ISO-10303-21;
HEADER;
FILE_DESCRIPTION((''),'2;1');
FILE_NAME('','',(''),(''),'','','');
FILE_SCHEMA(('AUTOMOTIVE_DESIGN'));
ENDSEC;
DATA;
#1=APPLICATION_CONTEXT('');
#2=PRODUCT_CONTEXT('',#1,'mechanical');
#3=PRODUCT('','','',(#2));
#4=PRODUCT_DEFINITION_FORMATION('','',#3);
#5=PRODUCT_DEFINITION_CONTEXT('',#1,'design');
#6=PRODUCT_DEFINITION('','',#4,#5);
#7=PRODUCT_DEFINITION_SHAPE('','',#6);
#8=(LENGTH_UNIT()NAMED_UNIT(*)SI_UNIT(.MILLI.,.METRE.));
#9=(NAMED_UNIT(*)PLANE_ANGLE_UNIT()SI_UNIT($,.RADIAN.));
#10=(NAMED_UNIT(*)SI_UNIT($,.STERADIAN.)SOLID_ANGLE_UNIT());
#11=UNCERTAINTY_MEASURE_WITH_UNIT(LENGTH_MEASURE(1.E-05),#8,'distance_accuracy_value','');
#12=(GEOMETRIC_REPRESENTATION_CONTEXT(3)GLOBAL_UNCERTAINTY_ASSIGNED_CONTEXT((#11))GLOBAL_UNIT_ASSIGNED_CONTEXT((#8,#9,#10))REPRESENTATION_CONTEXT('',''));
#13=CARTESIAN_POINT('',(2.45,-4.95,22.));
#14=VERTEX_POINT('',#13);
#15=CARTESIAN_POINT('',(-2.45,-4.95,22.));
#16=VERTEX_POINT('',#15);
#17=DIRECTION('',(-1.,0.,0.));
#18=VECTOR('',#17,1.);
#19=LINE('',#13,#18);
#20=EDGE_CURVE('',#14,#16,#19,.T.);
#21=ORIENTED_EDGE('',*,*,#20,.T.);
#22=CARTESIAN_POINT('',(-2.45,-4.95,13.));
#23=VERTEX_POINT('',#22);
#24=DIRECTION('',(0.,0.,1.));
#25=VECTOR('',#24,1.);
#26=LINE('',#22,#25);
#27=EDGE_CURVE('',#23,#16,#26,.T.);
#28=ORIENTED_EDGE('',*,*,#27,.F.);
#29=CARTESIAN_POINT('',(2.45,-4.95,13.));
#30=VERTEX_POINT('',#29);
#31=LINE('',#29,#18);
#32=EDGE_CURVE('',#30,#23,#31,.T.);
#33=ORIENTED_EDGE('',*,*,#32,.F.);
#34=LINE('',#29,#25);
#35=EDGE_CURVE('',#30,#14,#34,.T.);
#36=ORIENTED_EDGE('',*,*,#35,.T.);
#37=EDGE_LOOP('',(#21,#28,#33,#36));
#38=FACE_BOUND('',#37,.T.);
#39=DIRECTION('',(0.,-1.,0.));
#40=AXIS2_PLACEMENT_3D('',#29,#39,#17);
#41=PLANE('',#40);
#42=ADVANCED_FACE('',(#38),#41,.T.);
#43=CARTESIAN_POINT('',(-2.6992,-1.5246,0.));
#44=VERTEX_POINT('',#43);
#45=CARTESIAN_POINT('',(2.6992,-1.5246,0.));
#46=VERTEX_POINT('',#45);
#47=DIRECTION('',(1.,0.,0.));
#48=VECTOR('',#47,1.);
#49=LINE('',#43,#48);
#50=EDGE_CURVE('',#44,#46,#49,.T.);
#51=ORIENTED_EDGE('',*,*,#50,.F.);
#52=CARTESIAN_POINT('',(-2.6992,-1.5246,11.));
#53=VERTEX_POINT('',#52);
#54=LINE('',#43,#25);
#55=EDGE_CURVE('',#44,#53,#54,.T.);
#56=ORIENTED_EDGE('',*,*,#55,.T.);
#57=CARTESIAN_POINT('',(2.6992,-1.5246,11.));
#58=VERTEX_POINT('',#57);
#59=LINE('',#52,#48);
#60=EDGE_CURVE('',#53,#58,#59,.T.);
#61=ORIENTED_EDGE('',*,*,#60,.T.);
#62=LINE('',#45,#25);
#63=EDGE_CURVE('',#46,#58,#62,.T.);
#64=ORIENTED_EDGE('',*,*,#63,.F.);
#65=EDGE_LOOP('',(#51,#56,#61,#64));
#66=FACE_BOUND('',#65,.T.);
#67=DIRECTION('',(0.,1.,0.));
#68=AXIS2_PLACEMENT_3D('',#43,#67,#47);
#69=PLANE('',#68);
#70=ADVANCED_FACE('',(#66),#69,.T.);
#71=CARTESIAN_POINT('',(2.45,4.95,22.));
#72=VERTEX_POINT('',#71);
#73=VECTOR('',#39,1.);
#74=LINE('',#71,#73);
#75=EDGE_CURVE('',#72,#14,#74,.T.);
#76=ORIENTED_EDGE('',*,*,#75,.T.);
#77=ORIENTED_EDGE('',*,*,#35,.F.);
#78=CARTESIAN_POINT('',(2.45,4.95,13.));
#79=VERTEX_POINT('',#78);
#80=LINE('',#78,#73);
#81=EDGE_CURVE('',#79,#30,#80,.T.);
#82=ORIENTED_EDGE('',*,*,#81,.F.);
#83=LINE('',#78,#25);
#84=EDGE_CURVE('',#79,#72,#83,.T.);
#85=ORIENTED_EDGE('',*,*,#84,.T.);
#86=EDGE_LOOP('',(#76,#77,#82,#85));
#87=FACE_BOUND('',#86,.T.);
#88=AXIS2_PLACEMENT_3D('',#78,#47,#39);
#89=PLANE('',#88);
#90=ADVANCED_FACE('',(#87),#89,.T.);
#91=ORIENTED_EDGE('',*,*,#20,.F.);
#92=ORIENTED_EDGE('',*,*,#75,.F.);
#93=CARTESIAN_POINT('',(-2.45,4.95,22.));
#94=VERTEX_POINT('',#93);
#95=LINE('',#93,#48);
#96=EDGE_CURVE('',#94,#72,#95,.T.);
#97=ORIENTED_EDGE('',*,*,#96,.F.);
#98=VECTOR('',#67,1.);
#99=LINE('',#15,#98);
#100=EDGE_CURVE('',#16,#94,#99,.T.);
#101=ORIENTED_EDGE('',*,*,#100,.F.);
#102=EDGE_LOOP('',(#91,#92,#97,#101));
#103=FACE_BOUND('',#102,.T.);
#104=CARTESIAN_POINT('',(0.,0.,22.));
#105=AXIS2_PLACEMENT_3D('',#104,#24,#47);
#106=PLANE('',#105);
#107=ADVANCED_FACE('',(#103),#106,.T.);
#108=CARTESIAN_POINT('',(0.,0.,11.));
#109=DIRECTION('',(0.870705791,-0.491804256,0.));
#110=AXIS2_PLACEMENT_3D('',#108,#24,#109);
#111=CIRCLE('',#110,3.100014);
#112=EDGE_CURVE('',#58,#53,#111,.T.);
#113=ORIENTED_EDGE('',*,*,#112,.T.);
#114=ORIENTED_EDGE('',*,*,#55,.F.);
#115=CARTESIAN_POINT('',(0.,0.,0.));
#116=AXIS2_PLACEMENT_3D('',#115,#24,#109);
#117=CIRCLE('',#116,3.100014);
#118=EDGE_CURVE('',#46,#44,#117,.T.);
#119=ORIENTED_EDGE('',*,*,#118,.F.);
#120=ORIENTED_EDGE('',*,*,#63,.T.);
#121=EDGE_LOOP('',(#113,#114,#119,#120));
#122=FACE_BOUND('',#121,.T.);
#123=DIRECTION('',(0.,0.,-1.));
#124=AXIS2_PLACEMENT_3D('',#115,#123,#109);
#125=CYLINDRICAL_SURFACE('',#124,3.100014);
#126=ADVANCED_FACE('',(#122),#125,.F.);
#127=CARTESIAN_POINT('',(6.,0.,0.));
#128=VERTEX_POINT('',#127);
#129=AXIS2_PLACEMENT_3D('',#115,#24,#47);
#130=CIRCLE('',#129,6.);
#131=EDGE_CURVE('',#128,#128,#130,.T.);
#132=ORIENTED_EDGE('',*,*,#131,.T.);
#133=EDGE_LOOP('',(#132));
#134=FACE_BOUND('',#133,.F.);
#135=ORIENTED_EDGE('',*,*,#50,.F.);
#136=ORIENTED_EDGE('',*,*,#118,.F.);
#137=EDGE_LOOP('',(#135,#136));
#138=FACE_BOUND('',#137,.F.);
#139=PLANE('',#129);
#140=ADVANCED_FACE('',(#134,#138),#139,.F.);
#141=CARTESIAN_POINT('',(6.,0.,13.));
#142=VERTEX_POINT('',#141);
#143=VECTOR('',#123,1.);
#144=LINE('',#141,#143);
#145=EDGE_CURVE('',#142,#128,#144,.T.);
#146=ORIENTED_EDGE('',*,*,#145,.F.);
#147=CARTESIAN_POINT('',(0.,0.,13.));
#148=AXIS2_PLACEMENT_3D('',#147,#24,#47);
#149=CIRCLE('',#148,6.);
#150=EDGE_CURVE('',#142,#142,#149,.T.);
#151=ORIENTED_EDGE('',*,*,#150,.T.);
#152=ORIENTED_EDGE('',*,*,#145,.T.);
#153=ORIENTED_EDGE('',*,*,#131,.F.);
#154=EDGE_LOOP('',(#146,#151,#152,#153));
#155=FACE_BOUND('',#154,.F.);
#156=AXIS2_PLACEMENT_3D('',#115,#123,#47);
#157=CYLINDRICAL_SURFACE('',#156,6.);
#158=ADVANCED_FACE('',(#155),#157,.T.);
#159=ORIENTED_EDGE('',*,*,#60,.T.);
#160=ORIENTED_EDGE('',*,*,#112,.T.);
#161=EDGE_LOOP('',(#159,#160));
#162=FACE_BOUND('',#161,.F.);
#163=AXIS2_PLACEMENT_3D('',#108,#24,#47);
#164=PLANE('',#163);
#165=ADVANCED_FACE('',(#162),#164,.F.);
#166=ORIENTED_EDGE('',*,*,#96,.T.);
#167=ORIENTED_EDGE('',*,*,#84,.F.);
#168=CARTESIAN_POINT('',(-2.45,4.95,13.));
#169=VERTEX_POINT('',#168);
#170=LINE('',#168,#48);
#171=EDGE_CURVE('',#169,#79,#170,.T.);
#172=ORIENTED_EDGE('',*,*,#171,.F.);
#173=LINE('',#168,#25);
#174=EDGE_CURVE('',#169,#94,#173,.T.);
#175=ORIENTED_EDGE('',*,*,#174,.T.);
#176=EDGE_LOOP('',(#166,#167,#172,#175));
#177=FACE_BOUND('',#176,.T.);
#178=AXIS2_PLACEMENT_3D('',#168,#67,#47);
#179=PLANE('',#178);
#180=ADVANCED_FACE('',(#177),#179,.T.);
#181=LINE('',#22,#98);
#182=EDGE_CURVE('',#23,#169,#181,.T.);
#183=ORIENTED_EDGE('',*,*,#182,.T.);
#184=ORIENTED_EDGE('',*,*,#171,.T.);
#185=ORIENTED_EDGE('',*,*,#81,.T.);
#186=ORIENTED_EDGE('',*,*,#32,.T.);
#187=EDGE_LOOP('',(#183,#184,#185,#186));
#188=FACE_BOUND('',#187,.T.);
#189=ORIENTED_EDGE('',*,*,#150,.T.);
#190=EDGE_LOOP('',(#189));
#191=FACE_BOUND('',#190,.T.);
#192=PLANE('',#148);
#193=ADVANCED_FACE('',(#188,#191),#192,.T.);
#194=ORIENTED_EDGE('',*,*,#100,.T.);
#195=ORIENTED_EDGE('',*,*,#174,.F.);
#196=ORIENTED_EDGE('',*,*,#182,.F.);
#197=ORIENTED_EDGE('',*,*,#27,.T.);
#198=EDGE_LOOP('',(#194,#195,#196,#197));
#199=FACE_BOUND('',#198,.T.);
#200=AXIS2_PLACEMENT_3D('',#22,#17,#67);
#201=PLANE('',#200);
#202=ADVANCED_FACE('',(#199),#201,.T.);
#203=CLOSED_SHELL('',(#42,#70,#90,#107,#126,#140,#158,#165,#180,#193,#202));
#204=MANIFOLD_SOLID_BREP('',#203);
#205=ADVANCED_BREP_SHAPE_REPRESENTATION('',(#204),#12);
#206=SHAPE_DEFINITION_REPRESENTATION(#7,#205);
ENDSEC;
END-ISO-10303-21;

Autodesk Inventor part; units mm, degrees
ref_plane "YZ Plane" through (0, 0, 0) normal (1, 0, 0) x (0, 1, 0)
ref_plane "XZ Plane" through (0, 0, 0) normal (0, 1, 0) x (-1, 0, 0)
ref_plane "XY Plane" through (0, 0, 0) normal (0, 0, 1) x (1, 0, 0)
sketch "Skizze1" plane through (0, 0, 0) normal (0, 0, 1) x (1, 0, 0)
  line L0 (-2.6992, -1.5246) -> (2.6992, -1.5246)
  circle A0 centre (0, 0) radius 6
  arc A1 (2.6992, -1.5246) -> (-2.6992, -1.5246) centre (0, 0) ccw
  dimension "d3" = 12
  dimension "d6" = 6.2
extrude "Extrusion1" add sketch "Skizze1" along normal blind 11
sketch "Skizze4" plane through (0, 0, 11) normal (0, 0, 1) x (1, 0, 0)
  circle A0 centre (0, 0) radius 6
  dimension "d14" = 12
extrude "Extrusion3" add sketch "Skizze4" along normal blind 2
sketch "Skizze5" plane through (0, 0, 13) normal (0, 0, 1) x (1, 0, 0)
  line L0 (-2.45, 4.95) -> (2.45, 4.95)
  line L1 (2.45, 4.95) -> (2.45, -4.95)
  line L2 (2.45, -4.95) -> (-2.45, -4.95)
  line L3 (-2.45, -4.95) -> (-2.45, 4.95)
  point P0 (0, 0)
  point P1 (0, 0)
  dimension "d17" = 4.9
  dimension "d18" = 9.9
  dimension "d19" = 2.45
  dimension "d20" = 4.95
extrude "Extrusion4" add sketch "Skizze5" along normal blind 9
properties part number "AdapterPoti2"
